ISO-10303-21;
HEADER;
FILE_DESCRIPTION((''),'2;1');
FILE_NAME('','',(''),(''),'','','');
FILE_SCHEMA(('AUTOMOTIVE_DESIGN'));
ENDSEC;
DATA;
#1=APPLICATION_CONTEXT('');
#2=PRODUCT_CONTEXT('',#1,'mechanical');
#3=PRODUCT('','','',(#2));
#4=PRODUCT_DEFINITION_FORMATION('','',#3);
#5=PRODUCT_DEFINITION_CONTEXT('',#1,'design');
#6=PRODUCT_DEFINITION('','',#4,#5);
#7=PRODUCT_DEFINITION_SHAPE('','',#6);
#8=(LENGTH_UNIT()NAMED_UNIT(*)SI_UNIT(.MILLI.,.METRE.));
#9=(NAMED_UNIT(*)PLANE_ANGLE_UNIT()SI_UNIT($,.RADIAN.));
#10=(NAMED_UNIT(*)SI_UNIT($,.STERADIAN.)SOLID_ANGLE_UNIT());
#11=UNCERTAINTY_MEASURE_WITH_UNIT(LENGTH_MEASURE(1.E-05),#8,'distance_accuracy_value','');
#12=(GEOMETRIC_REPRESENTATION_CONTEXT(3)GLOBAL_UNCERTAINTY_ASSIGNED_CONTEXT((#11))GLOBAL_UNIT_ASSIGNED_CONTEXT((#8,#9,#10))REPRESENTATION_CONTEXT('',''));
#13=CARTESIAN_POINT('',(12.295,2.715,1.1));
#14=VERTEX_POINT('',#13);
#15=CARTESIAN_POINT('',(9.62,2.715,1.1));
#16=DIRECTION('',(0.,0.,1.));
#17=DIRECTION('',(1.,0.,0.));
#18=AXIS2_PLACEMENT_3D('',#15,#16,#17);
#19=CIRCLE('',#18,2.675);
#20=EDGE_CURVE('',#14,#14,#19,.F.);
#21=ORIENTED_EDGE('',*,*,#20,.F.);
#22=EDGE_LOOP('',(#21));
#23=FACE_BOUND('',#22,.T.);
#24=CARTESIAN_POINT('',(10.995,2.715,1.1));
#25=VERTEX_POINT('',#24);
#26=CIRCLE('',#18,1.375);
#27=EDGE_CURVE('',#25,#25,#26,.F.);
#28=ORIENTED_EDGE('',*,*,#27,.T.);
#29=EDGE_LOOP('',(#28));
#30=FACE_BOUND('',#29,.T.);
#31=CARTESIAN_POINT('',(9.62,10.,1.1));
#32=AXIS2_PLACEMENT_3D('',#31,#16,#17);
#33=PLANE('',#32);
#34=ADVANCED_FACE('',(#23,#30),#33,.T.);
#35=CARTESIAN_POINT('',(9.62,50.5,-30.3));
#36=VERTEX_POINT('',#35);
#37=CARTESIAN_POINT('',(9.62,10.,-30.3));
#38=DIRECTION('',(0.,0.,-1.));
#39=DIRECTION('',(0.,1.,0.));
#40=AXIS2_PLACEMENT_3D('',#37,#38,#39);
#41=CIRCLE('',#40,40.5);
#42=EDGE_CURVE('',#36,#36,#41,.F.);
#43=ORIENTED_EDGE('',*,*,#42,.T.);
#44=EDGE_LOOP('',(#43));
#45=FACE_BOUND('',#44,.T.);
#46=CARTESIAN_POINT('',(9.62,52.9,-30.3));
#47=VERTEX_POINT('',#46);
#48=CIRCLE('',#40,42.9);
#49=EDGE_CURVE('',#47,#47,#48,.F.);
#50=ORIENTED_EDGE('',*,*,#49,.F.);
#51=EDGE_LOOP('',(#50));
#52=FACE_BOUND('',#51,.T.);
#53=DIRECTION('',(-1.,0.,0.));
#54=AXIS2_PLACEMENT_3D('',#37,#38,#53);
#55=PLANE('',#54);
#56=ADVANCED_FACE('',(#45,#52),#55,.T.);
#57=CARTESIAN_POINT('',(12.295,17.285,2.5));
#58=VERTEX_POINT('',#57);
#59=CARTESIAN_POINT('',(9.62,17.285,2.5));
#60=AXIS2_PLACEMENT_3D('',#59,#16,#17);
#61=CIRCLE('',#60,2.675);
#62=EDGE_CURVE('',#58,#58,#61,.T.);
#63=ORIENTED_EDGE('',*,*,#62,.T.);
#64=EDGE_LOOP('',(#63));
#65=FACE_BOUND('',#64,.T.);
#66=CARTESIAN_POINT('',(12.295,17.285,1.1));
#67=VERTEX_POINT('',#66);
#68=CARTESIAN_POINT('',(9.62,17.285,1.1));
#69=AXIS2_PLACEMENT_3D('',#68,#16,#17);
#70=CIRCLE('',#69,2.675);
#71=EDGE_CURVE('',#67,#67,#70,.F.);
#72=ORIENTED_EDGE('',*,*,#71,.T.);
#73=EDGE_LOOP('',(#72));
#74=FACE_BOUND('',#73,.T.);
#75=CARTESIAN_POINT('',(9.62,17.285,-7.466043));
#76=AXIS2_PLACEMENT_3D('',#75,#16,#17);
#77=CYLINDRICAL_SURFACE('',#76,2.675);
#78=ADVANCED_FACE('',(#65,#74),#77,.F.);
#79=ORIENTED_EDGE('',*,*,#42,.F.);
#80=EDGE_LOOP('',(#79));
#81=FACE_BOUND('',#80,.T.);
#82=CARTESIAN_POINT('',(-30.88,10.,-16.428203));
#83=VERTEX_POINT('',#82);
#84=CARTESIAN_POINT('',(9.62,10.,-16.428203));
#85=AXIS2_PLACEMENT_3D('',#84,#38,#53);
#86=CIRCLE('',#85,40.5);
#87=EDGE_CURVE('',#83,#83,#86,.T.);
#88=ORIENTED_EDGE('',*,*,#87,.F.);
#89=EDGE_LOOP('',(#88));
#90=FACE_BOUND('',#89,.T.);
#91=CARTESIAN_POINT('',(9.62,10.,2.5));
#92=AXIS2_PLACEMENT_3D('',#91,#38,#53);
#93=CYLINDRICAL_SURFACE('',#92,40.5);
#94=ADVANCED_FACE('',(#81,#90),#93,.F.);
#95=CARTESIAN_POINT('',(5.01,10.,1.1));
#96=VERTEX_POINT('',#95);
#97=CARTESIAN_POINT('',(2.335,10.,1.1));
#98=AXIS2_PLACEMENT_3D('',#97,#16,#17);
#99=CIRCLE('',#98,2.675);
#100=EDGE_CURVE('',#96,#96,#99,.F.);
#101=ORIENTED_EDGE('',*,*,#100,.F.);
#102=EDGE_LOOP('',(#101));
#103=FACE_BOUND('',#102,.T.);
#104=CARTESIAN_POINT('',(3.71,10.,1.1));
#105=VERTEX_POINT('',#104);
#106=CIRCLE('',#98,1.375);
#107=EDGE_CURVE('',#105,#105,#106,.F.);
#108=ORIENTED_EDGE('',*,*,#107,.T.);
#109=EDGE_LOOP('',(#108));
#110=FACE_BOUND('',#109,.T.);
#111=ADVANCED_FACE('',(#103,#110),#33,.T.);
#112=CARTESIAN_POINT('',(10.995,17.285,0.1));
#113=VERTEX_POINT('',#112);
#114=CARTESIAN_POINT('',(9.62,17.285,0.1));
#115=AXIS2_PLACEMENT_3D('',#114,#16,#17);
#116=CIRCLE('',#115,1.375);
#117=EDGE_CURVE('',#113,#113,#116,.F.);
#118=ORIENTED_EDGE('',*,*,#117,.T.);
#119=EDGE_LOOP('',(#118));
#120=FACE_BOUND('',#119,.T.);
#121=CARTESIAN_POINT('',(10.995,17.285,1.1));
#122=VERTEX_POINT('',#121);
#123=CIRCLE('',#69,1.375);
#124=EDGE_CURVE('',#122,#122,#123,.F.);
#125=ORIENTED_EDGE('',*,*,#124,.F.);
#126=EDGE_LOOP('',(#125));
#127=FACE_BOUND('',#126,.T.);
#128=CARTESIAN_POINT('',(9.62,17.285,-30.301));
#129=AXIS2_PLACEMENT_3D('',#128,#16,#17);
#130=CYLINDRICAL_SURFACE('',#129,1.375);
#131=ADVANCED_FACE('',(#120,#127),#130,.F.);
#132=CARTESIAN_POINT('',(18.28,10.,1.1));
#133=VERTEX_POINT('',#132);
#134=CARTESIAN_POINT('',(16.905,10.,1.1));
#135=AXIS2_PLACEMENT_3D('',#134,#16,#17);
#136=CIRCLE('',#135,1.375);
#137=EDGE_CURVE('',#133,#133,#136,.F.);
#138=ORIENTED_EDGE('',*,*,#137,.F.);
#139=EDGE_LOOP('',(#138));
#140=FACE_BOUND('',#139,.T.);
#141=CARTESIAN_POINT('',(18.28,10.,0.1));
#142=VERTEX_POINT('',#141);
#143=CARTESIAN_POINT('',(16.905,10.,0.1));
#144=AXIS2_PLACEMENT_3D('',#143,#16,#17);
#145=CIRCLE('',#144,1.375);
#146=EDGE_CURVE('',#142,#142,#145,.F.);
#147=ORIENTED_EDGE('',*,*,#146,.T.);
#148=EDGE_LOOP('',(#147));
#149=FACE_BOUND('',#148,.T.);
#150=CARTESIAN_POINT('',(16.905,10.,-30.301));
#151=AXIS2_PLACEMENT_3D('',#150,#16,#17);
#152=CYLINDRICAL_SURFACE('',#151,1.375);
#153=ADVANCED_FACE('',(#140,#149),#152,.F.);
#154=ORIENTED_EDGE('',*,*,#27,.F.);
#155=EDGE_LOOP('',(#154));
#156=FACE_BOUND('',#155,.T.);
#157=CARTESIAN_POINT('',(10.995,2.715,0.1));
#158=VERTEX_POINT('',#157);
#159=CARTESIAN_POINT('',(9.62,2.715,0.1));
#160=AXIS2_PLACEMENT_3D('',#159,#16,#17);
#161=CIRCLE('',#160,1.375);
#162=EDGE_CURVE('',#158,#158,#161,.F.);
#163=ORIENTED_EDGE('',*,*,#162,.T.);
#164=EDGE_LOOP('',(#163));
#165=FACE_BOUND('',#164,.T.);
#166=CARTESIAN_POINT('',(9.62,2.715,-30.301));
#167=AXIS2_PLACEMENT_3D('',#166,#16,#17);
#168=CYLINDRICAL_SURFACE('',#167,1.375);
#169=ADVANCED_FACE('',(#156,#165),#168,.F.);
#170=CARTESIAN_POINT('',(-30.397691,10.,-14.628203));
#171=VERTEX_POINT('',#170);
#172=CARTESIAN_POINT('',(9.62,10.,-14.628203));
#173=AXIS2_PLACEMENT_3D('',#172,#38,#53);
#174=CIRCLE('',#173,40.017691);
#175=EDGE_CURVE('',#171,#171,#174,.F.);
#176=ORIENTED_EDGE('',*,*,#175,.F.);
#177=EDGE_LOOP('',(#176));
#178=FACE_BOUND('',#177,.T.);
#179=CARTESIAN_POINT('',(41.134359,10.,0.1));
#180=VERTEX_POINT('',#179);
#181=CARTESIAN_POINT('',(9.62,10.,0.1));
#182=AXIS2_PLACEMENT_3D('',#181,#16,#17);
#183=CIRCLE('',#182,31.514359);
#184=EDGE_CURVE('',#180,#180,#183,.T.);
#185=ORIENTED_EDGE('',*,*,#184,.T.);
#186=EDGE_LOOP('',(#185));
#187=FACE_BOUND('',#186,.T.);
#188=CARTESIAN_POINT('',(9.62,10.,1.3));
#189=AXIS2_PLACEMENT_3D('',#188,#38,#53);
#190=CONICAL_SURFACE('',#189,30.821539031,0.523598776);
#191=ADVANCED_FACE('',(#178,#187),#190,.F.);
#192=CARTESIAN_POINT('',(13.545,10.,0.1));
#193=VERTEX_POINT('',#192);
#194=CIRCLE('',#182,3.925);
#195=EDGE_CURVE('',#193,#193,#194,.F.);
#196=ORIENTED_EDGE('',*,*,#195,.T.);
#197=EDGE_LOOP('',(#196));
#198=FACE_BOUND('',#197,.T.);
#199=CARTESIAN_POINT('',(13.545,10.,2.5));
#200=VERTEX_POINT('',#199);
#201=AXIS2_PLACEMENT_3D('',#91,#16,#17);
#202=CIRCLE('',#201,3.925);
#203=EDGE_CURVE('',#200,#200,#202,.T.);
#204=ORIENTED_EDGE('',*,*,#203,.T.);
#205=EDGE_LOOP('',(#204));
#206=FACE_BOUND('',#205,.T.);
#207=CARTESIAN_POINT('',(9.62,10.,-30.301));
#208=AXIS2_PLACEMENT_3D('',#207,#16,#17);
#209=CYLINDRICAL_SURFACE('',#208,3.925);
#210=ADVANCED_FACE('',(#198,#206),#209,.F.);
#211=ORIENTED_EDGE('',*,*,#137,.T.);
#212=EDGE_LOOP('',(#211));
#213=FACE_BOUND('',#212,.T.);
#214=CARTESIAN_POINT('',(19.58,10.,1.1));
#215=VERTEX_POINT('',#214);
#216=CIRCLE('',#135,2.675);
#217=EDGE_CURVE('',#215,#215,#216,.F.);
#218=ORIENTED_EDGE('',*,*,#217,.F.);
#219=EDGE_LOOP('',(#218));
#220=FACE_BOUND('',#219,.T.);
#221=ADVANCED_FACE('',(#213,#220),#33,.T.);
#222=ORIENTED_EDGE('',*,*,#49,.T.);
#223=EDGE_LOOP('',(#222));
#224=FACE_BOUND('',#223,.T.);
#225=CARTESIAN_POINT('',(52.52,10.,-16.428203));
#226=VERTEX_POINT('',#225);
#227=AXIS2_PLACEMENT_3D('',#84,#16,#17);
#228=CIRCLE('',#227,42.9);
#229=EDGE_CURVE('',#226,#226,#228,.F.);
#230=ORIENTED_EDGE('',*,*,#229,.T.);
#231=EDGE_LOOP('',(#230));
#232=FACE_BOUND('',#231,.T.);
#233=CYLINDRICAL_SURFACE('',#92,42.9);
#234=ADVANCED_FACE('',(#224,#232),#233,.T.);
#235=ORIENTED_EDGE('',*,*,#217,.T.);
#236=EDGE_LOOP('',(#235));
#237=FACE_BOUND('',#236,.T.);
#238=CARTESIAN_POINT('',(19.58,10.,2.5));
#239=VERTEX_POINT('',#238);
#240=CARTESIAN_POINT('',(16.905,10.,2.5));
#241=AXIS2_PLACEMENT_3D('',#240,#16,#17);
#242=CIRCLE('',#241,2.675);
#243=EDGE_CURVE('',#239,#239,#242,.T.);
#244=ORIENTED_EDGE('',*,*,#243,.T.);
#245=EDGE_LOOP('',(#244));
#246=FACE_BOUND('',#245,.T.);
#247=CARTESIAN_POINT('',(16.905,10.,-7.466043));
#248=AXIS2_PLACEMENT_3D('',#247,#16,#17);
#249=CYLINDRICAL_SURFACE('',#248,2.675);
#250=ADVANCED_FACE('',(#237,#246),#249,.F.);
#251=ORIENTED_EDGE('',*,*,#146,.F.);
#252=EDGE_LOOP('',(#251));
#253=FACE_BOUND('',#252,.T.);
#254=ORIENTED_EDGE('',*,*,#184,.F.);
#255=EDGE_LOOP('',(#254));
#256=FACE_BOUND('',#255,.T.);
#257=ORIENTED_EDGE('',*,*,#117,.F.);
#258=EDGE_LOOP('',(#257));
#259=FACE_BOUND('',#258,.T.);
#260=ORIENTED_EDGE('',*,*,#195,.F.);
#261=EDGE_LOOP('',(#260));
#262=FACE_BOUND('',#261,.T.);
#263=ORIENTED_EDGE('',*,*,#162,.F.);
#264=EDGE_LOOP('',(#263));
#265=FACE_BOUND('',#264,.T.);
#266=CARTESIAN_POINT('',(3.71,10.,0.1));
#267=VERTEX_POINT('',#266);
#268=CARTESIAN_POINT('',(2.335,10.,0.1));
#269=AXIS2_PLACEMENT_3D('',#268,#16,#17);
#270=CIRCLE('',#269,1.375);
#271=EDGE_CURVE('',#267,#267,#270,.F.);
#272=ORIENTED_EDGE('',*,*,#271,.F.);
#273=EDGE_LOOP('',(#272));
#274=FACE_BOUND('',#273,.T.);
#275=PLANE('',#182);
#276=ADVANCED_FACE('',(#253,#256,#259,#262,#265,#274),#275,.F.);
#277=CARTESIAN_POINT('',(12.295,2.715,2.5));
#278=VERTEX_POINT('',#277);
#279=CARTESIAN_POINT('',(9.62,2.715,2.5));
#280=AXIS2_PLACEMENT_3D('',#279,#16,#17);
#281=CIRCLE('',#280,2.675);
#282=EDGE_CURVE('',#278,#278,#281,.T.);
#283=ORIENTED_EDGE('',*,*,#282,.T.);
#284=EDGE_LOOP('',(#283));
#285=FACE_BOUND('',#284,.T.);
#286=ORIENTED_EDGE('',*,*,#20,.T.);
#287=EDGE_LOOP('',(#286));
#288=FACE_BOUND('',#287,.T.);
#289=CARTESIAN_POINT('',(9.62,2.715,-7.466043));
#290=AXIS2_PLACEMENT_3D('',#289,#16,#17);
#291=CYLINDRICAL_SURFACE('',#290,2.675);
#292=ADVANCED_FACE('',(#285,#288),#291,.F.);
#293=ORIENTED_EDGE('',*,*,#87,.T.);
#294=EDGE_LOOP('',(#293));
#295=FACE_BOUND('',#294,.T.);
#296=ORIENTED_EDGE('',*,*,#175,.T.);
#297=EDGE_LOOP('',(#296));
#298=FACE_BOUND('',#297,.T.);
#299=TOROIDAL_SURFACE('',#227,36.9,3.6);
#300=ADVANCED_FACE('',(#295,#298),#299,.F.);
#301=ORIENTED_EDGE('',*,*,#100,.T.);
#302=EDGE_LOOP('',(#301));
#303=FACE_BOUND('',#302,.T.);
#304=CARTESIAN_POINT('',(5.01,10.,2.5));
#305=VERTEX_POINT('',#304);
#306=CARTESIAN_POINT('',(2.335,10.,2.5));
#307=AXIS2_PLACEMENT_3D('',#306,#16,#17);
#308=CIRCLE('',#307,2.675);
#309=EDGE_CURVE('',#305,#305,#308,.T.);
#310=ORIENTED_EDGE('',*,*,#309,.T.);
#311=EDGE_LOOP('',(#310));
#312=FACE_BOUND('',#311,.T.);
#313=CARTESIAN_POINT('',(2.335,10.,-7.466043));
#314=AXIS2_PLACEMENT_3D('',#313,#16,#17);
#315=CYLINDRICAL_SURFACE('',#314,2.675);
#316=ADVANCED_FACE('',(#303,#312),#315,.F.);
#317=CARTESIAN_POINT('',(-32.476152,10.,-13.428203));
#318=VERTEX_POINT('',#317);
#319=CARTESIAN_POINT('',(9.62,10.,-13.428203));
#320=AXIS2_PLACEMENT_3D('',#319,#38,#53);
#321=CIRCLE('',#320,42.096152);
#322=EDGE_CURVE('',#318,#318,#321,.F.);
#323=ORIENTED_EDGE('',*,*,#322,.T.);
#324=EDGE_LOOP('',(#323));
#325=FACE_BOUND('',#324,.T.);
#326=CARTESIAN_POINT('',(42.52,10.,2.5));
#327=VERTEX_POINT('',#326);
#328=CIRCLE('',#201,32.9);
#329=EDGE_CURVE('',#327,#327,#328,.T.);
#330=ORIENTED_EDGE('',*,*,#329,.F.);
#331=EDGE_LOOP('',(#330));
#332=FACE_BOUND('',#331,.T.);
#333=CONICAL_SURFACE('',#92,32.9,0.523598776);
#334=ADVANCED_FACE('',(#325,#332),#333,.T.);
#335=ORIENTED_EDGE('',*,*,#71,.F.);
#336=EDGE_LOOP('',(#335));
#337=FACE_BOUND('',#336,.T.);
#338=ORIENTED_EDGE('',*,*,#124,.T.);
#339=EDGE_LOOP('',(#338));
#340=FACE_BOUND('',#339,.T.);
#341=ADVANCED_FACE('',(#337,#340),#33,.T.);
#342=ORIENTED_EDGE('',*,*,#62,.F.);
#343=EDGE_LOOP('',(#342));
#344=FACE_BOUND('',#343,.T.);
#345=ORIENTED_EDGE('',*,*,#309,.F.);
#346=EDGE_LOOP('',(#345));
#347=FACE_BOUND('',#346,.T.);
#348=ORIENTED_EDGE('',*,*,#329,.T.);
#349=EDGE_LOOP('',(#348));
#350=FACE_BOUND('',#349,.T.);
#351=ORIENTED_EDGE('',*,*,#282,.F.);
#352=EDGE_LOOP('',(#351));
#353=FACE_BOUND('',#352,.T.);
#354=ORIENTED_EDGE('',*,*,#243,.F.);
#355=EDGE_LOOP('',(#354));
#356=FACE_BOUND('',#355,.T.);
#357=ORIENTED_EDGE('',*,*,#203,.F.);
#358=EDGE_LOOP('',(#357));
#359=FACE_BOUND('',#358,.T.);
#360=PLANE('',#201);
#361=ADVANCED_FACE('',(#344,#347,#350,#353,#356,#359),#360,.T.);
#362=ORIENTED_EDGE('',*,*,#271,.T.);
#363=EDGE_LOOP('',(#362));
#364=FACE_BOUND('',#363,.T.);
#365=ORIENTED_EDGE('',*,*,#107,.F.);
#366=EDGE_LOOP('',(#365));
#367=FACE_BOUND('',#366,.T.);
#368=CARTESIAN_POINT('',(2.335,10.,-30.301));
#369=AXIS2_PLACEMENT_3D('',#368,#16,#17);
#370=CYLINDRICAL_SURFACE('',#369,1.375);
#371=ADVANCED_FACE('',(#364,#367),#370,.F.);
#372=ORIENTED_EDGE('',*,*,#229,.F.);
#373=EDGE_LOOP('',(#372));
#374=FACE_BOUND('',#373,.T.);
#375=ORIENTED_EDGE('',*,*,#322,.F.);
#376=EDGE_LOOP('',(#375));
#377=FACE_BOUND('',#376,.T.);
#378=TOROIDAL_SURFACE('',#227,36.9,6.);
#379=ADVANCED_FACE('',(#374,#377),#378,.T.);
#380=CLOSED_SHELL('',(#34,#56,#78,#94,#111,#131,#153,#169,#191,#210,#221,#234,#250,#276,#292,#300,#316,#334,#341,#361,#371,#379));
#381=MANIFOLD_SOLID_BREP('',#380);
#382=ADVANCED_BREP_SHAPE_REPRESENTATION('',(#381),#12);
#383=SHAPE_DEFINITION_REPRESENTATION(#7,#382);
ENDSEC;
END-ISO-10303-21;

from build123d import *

# Parameters (mm, degrees)
SKETCH1_R                = 42.9
BOSS_EXTRUDE1_DEPTH      = 2.5
BOSS_EXTRUDE1_DEPTH_BACK = 30.3
CHAMFER1_SIZE            = 10
CHAMFER1_SIZE2           = 17.320508076
FILLET1_R                = 6
SHELL1_T                 = -2.4
CUT_EXTRUDE1_REACH       = 83.441
SKETCH2_R                = 3.925
SKETCH2_R_2              = 1.375
SKETCH3_R                = 2.675
CUT_EXTRUDE2_DEPTH       = 1.4


with BuildPart() as part:
    # Sketch1 → Boss-Extrude1 (new, two sides)
    with BuildSketch(Plane.XY) as boss_extrude1_sk:
        with Locations(Location((9.62, 10, 0), (0, 0, 90))):
            Circle(SKETCH1_R)
    extrude(amount=BOSS_EXTRUDE1_DEPTH)
    extrude(boss_extrude1_sk.sketch, amount=-BOSS_EXTRUDE1_DEPTH_BACK)

    # Chamfer1
    chamfer1_edges = [part.edges().sort_by_distance(p)[0] for p in [
        (9.62, -32.9, 2.5),
    ]]
    chamfer1_side = [part.faces().sort_by_distance(p)[0] for p in [
        (9.62, 10, 2.5),
    ]]
    chamfer(chamfer1_edges, length=CHAMFER1_SIZE, length2=CHAMFER1_SIZE2, reference=chamfer1_side[0])

    # Fillet1
    fillet1_edges = [part.edges().sort_by_distance(p)[0] for p in [
        (9.62, -32.9, -14.820508076),
    ]]
    fillet(fillet1_edges, radius=FILLET1_R)

    # Shell1
    shell1_openings = [part.faces().sort_by_distance(p)[0] for p in [
        (9.62, 10, -30.3),
    ]]
    offset(amount=SHELL1_T, openings=shell1_openings, kind=Kind.INTERSECTION)

    # Sketch2 → Cut-Extrude1 (cut, up to next)
    with BuildSketch(Plane.XY.offset(2.5), mode=Mode.PRIVATE) as cut_extrude1_sk1:
        with Locations((9.62, 10)):
            Circle(SKETCH2_R)
    cut_extrude1_tool1 = extrude(cut_extrude1_sk1.sketch, amount=-CUT_EXTRUDE1_REACH, mode=Mode.PRIVATE) & part.part
    # Sketch2 → Cut-Extrude1 (cut, up to next)
    with BuildSketch(Plane.XY.offset(2.5), mode=Mode.PRIVATE) as cut_extrude1_sk2:
        with Locations((9.62, 17.285)):
            Circle(SKETCH2_R_2)
    cut_extrude1_tool2 = extrude(cut_extrude1_sk2.sketch, amount=-CUT_EXTRUDE1_REACH, mode=Mode.PRIVATE) & part.part
    # Sketch2 → Cut-Extrude1 (cut, up to next)
    with BuildSketch(Plane.XY.offset(2.5), mode=Mode.PRIVATE) as cut_extrude1_sk3:
        with Locations((9.62, 2.715)):
            Circle(SKETCH2_R_2)
    cut_extrude1_tool3 = extrude(cut_extrude1_sk3.sketch, amount=-CUT_EXTRUDE1_REACH, mode=Mode.PRIVATE) & part.part
    # Sketch2 → Cut-Extrude1 (cut, up to next)
    with BuildSketch(Plane.XY.offset(2.5), mode=Mode.PRIVATE) as cut_extrude1_sk4:
        with Locations((2.335, 10)):
            Circle(SKETCH2_R_2)
    cut_extrude1_tool4 = extrude(cut_extrude1_sk4.sketch, amount=-CUT_EXTRUDE1_REACH, mode=Mode.PRIVATE) & part.part
    # Sketch2 → Cut-Extrude1 (cut, up to next)
    with BuildSketch(Plane.XY.offset(2.5), mode=Mode.PRIVATE) as cut_extrude1_sk5:
        with Locations((16.905, 10)):
            Circle(SKETCH2_R_2)
    cut_extrude1_tool5 = extrude(cut_extrude1_sk5.sketch, amount=-CUT_EXTRUDE1_REACH, mode=Mode.PRIVATE) & part.part
    add(cut_extrude1_tool1.solids().sort_by_distance((9.62, 10, 2.5))[0], mode=Mode.SUBTRACT)
    add(cut_extrude1_tool2.solids().sort_by_distance((9.62, 17.285, 2.5))[0], mode=Mode.SUBTRACT)
    add(cut_extrude1_tool3.solids().sort_by_distance((9.62, 2.715, 2.5))[0], mode=Mode.SUBTRACT)
    add(cut_extrude1_tool4.solids().sort_by_distance((2.335, 10, 2.5))[0], mode=Mode.SUBTRACT)
    add(cut_extrude1_tool5.solids().sort_by_distance((16.905, 10, 2.5))[0], mode=Mode.SUBTRACT)

    # Sketch3 → Cut-Extrude2 (cut)
    with BuildSketch(Plane.XY.offset(2.5)):
        with Locations((2.335, 10)):
            Circle(SKETCH3_R)
        with Locations((9.62, 2.715)):
            Circle(SKETCH3_R)
        with Locations((9.62, 17.285)):
            Circle(SKETCH3_R)
        with Locations((16.905, 10)):
            Circle(SKETCH3_R)
    extrude(amount=-CUT_EXTRUDE2_DEPTH, mode=Mode.SUBTRACT)


solid = part.part
